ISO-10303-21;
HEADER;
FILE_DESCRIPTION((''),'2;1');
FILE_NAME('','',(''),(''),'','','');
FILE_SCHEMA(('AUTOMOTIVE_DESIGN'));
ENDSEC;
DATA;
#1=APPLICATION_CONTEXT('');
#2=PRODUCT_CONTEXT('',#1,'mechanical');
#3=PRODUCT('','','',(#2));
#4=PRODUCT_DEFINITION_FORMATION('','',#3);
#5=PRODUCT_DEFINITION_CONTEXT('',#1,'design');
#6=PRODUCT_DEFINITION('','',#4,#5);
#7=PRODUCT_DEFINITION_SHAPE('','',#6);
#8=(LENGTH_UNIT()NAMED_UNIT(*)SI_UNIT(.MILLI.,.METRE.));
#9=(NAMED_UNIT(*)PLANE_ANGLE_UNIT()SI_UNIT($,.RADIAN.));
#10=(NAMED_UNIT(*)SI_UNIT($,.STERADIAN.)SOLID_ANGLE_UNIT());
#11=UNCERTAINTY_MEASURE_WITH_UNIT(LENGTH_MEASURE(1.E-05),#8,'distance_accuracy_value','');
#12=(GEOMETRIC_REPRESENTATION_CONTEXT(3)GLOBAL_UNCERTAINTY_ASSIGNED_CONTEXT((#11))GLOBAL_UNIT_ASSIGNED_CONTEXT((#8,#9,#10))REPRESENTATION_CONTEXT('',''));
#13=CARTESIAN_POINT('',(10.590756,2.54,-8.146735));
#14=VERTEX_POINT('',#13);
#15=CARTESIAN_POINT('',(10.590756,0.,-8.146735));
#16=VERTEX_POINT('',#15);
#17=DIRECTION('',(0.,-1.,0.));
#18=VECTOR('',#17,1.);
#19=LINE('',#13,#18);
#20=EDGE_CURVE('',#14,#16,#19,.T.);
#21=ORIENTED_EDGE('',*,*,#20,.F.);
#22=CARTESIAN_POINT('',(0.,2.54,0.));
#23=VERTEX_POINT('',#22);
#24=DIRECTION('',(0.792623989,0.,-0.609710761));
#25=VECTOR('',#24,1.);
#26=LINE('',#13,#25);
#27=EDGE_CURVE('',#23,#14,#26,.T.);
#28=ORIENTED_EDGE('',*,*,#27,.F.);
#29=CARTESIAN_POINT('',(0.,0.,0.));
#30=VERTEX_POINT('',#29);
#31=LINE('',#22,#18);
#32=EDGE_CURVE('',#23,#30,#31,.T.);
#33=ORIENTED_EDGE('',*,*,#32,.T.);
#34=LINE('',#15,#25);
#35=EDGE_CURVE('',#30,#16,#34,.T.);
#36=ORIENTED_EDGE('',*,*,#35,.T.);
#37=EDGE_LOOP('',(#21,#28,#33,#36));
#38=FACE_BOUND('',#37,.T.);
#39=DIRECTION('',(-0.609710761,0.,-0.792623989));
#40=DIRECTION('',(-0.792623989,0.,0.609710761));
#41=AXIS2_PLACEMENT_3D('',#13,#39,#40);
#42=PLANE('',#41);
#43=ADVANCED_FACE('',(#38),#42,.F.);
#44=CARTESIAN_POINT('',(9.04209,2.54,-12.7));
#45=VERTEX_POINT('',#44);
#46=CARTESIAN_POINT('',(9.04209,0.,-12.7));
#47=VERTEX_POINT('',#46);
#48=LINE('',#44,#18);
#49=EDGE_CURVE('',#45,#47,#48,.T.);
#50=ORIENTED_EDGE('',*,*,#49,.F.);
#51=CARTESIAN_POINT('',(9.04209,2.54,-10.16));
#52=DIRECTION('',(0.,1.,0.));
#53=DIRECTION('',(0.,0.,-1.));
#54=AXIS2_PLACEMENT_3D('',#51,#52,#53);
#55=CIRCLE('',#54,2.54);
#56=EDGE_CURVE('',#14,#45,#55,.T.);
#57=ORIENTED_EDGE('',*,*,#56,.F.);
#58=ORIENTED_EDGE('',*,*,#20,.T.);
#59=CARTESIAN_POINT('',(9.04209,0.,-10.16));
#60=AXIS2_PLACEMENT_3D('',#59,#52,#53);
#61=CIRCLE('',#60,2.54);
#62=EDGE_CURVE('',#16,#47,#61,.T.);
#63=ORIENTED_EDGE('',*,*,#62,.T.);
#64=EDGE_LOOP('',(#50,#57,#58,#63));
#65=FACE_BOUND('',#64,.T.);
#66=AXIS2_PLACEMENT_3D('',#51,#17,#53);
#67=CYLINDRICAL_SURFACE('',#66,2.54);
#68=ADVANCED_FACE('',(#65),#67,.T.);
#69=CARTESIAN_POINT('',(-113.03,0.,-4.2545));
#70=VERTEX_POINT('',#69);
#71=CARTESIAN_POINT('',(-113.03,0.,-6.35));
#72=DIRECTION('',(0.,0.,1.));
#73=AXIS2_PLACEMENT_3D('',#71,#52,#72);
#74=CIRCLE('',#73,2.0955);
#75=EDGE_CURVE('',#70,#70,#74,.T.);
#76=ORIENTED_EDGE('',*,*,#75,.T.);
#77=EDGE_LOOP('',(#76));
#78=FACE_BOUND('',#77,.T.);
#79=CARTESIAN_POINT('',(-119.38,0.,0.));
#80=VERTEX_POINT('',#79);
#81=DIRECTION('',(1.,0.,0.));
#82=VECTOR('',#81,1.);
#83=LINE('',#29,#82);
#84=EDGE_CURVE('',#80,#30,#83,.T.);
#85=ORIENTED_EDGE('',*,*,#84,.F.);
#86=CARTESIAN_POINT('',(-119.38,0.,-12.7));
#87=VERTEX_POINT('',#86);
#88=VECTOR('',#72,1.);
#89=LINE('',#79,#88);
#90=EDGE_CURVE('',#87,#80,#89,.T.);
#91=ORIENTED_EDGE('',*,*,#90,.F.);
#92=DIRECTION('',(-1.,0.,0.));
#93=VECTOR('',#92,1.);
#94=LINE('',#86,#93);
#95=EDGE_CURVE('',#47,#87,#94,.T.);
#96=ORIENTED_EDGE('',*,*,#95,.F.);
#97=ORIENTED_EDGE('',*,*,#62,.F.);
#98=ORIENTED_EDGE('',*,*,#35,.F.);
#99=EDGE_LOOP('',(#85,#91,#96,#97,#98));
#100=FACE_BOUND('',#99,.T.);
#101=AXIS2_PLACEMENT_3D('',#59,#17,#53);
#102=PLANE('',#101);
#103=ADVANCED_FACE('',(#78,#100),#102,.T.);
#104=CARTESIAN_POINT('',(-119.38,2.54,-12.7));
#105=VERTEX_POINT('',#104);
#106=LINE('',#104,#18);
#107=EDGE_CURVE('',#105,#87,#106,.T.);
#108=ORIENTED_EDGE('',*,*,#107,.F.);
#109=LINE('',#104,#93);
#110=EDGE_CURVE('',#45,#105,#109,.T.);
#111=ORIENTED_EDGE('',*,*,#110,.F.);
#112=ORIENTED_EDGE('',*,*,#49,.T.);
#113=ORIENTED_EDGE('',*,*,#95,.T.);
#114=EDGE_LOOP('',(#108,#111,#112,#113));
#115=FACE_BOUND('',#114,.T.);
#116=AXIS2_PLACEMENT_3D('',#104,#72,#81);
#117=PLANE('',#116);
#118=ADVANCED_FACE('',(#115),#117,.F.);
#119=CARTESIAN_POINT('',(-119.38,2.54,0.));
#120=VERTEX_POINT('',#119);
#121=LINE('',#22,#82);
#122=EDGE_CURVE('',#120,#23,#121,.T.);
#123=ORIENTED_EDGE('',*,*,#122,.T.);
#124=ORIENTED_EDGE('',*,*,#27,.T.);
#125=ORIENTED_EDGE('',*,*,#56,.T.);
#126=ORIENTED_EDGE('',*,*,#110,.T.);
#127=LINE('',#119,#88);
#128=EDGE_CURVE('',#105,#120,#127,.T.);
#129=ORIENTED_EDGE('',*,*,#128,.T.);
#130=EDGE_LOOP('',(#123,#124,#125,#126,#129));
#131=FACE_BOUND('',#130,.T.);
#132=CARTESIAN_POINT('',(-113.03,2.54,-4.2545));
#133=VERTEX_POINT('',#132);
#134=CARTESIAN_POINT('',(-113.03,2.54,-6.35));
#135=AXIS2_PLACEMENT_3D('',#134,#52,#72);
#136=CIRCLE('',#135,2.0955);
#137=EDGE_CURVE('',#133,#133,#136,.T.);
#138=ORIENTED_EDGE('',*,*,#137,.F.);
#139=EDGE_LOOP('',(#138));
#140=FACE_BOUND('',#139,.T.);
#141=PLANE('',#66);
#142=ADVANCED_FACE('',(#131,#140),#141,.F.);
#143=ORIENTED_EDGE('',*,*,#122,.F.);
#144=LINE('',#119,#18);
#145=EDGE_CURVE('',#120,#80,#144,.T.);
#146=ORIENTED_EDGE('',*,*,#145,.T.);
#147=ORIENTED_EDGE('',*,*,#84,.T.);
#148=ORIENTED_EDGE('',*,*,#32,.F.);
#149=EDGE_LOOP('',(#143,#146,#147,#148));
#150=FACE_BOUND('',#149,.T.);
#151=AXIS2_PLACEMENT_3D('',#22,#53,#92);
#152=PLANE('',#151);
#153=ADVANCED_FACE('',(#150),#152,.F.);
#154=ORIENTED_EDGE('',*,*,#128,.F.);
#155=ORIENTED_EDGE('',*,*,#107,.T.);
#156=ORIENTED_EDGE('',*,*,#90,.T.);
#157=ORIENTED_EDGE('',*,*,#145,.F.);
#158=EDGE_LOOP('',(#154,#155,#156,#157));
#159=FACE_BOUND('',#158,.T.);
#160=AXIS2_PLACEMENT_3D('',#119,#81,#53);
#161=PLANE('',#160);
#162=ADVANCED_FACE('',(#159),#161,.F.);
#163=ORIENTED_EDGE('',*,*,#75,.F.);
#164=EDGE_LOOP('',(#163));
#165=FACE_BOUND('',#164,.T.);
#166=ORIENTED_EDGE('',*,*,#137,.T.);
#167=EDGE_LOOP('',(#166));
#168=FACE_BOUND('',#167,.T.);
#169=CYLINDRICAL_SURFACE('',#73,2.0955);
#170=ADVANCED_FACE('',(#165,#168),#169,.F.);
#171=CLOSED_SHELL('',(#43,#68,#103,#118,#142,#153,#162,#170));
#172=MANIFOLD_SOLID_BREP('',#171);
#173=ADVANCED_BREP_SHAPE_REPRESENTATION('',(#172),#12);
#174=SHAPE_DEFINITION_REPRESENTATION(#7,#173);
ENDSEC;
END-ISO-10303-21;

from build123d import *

# Parameters (mm, degrees)
BOSS_EXTRUDE1_DEPTH = 2.54
SKETCH4_R           = 2.0955
CUT_EXTRUDE2_DEPTH  = 121.080498


with BuildPart() as part:
    # Sketch1 → Boss-Extrude1 (new body)
    with BuildSketch(Plane(origin=(0, 0, 0), x_dir=(1, 0, 0), z_dir=(0, 1, 0))):
        with BuildLine():
            Line((0, 0), (-119.38, 0))
            Line((-119.38, 0), (-119.38, 12.7))
            Line((-119.38, 12.7), (9.042090255, 12.7))
            ThreePointArc((9.042090255, 12.7), (11.44680364, 10.977895798), (10.590755588, 8.146735068))
            Line((10.590755588, 8.146735068), (0, 0))
        make_face()
    extrude(amount=BOSS_EXTRUDE1_DEPTH)

    # Sketch4 → Cut-Extrude2 (cut, through all)
    with BuildSketch(Plane(origin=(0, 2.54, 0), x_dir=(1, 0, 0), z_dir=(0, 1, 0))):
        with Locations(Location((-113.03, 6.35, 0), (0, 0, 270))):
            Circle(SKETCH4_R)
    extrude(amount=-CUT_EXTRUDE2_DEPTH, mode=Mode.SUBTRACT)


solid = part.part
